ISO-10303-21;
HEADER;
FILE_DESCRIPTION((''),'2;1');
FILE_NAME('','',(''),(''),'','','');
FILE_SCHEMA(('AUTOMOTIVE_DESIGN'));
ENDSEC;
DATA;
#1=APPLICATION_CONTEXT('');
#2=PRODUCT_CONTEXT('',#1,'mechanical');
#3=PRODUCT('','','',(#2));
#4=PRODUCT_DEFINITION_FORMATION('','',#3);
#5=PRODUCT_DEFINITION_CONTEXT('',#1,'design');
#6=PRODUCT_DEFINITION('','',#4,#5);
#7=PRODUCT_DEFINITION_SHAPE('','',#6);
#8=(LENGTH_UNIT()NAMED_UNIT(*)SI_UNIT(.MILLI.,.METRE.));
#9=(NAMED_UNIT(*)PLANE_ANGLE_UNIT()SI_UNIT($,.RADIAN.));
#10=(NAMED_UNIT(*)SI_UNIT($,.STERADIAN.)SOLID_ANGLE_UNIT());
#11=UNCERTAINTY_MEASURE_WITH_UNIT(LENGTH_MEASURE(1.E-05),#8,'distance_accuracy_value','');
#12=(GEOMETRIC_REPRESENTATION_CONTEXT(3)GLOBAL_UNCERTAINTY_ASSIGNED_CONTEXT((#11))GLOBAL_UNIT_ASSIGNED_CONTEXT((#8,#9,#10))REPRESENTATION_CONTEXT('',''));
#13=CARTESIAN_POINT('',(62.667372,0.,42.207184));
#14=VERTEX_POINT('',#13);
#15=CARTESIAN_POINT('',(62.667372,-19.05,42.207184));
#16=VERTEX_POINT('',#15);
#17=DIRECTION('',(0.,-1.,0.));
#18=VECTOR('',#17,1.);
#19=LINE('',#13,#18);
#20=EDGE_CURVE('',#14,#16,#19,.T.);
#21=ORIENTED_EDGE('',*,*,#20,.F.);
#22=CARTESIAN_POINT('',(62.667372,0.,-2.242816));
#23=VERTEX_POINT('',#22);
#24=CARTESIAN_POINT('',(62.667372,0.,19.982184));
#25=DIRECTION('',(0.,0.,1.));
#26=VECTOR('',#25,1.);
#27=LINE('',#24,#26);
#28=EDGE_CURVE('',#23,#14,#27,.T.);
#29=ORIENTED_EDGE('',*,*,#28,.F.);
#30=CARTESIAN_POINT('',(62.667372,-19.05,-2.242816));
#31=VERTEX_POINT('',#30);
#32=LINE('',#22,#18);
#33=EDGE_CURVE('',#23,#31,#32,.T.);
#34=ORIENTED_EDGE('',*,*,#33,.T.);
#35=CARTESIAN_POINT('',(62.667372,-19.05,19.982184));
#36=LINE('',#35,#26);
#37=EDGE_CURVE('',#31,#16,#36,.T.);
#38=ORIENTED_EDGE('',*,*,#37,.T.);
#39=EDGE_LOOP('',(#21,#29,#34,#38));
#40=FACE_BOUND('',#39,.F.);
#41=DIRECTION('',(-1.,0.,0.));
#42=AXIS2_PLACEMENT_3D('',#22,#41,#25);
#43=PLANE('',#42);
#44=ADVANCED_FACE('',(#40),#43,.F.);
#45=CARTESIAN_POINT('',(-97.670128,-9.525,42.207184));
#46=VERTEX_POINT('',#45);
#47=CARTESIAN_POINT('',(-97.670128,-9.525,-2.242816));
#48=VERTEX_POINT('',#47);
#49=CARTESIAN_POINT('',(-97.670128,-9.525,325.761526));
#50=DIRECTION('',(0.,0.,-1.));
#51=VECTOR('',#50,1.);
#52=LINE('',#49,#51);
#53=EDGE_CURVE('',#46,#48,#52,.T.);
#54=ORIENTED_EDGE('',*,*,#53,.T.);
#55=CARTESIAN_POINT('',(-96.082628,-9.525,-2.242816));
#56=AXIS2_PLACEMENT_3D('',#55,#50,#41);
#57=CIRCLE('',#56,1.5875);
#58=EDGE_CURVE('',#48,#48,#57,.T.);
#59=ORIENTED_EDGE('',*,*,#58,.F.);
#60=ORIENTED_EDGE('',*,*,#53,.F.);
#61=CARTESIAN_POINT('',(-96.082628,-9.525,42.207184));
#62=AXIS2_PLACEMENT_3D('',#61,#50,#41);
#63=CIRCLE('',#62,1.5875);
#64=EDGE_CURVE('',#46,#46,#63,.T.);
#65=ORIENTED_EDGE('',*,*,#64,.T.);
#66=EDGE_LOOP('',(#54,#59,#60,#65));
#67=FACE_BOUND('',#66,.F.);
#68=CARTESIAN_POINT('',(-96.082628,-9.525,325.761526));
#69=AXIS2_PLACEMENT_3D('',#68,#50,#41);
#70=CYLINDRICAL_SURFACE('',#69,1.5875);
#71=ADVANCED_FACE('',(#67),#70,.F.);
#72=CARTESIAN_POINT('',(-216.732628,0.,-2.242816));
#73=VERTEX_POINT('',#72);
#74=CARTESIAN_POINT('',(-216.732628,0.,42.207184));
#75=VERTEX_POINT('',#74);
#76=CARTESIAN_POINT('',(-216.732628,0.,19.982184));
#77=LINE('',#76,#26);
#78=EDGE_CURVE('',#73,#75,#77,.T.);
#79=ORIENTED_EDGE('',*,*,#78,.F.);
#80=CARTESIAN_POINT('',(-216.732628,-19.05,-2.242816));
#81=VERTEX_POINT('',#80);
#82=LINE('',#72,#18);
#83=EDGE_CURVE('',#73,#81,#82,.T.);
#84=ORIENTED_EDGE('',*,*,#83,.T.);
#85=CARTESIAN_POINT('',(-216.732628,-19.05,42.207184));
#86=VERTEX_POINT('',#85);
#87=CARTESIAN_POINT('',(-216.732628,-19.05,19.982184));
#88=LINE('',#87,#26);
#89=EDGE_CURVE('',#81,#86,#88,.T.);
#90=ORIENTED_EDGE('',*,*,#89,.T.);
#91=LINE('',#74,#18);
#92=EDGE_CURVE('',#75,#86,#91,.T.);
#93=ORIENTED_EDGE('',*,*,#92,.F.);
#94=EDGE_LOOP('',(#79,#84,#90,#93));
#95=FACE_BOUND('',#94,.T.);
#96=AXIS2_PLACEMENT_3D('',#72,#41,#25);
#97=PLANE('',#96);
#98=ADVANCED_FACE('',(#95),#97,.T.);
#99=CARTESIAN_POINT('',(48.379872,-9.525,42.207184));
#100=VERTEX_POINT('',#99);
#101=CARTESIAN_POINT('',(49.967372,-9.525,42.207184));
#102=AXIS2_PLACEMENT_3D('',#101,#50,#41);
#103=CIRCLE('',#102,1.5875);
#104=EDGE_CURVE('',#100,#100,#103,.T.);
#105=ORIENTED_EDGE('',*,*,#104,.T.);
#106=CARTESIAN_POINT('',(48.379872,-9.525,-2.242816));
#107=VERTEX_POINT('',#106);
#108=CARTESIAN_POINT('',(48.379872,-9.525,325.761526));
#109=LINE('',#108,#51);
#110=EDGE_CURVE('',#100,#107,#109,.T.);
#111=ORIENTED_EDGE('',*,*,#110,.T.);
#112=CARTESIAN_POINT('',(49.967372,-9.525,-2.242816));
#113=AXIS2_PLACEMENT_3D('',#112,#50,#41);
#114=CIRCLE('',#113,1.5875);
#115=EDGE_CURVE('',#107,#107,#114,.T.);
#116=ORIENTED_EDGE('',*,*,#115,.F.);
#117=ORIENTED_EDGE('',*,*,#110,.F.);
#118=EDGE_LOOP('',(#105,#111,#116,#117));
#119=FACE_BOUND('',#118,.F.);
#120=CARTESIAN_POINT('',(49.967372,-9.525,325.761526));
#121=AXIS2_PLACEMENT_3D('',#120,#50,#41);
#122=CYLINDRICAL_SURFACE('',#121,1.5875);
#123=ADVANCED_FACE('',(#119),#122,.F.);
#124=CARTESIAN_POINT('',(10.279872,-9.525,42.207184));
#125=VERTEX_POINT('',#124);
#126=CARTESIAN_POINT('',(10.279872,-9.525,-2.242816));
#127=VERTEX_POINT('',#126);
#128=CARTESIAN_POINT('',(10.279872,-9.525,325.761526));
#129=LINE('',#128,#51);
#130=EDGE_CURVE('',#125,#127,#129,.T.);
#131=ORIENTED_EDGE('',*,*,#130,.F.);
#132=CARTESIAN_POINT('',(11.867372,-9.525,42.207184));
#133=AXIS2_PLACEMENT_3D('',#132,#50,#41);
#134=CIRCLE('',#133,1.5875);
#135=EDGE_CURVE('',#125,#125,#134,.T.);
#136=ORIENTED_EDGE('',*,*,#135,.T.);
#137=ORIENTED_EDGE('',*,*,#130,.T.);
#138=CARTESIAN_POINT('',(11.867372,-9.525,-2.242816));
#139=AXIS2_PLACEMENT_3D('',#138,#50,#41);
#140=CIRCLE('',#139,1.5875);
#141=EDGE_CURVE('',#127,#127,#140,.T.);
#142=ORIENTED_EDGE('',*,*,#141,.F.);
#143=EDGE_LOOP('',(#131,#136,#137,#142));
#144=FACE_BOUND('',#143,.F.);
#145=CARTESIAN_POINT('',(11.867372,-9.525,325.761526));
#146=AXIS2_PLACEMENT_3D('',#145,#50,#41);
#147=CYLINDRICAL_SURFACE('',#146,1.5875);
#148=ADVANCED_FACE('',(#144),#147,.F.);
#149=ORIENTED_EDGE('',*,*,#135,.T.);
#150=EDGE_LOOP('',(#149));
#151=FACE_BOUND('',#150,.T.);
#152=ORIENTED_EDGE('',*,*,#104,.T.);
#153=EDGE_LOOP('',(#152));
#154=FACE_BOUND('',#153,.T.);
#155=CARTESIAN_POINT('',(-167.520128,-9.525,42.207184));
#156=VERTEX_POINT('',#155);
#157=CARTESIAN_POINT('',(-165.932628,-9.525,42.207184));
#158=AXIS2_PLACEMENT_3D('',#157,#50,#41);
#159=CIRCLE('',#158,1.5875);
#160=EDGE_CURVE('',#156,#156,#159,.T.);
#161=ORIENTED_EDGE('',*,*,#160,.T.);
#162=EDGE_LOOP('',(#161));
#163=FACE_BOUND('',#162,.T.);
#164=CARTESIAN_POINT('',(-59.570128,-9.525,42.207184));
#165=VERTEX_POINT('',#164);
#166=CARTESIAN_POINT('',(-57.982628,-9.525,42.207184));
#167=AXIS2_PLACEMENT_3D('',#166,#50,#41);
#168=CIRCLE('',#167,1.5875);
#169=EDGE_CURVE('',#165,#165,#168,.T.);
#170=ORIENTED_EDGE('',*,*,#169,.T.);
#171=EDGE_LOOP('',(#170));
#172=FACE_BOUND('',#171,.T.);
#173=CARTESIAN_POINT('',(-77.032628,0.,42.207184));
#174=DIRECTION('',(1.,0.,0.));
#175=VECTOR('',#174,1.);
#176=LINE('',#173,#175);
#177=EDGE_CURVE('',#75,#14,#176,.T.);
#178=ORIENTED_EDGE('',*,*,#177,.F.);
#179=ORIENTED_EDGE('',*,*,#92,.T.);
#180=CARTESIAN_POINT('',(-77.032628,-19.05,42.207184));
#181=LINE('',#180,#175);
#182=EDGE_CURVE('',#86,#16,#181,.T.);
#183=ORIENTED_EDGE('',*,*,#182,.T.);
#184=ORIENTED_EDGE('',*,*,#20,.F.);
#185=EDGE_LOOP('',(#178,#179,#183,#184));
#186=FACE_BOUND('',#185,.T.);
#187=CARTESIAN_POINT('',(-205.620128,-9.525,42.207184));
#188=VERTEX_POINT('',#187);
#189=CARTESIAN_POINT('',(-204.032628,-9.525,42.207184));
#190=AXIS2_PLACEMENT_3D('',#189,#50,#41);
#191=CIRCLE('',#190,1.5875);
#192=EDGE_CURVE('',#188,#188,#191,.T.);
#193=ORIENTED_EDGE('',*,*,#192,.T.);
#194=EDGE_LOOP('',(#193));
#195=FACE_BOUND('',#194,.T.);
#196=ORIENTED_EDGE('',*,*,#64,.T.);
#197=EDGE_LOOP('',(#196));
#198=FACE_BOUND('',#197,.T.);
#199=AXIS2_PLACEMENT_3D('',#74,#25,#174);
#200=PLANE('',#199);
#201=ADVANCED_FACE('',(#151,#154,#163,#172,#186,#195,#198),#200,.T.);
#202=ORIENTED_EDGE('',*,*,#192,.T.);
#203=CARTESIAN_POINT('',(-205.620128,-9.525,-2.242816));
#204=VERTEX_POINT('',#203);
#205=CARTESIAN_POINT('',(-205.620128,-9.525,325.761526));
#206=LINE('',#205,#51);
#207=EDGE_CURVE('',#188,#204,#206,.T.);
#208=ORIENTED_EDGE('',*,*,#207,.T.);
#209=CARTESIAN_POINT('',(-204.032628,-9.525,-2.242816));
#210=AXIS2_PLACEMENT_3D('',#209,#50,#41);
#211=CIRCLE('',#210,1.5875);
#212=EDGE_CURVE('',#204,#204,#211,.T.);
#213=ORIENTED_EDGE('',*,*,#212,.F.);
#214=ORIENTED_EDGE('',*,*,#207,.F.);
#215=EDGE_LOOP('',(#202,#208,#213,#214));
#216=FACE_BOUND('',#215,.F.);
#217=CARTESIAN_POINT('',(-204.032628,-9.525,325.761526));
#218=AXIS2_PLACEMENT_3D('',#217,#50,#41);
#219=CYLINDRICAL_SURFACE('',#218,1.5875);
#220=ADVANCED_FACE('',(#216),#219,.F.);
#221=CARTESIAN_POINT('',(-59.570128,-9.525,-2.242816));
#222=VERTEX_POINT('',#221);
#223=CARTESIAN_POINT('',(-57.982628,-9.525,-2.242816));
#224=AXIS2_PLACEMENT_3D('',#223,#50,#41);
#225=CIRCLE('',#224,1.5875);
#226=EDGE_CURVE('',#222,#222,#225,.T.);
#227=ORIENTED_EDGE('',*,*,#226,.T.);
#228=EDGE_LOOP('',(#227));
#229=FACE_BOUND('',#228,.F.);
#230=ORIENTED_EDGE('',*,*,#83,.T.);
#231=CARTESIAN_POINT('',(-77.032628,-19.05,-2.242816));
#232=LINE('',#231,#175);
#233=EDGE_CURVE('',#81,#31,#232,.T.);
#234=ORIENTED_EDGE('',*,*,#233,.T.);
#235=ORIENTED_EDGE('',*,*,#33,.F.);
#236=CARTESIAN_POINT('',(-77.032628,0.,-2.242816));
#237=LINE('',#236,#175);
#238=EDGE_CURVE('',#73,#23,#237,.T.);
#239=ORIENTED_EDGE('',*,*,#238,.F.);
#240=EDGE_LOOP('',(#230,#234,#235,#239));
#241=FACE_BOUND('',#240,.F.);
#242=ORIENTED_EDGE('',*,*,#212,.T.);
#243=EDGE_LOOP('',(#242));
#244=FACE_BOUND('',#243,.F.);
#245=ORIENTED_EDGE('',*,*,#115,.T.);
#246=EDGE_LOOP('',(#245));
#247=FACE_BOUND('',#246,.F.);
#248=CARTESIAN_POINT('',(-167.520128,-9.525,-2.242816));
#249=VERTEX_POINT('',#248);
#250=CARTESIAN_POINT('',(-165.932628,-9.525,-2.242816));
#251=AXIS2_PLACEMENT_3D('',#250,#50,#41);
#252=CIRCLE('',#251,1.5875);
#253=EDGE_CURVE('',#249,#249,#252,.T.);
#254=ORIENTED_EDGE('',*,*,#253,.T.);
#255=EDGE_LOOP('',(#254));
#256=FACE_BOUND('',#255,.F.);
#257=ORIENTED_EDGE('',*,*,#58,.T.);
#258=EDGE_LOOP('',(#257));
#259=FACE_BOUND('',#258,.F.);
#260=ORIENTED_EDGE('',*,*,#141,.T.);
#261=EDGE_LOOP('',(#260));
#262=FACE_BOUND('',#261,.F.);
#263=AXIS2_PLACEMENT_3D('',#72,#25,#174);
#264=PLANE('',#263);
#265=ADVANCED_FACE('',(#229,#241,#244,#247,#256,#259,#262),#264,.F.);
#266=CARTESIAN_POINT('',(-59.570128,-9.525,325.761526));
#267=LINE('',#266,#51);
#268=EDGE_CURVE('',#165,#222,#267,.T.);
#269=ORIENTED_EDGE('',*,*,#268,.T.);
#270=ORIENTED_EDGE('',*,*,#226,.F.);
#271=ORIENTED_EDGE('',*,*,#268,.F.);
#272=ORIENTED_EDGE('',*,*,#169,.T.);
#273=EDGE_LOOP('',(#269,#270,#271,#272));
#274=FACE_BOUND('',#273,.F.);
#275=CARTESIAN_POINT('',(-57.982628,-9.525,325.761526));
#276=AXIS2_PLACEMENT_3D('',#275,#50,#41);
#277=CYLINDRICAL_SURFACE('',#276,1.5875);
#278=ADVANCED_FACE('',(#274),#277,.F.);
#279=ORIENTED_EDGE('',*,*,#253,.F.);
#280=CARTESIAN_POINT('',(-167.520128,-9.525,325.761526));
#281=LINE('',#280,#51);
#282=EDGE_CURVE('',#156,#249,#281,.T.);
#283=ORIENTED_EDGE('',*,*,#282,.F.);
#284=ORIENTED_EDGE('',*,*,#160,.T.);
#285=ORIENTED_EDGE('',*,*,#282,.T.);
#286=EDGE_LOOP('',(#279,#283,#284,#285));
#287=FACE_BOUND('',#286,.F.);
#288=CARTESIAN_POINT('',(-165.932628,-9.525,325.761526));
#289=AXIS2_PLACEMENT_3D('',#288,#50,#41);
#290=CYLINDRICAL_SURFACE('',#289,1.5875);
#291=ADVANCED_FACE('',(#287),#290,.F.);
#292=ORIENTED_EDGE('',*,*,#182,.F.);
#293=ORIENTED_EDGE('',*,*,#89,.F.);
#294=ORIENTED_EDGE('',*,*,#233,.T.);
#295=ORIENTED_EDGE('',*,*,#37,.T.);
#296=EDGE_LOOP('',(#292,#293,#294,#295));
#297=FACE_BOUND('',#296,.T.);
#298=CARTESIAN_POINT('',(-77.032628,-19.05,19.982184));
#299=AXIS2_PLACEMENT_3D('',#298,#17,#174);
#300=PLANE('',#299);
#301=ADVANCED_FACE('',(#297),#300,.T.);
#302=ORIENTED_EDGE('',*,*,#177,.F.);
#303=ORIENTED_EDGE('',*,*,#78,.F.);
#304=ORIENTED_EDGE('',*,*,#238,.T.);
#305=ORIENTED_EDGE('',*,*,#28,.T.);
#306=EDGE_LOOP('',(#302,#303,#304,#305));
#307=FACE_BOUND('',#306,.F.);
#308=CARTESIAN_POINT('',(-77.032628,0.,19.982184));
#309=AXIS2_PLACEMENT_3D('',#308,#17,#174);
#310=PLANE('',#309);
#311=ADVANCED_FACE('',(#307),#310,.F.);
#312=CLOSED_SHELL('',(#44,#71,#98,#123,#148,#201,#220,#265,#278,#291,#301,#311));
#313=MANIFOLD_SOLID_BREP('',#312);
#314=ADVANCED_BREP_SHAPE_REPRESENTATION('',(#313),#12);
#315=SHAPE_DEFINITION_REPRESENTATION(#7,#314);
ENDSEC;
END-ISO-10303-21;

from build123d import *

# Parameters (mm, degrees)
F0_W     = 279.4
F0_H     = 44.45
F1_DEPTH = 19.05
F3_D     = 3.175


with BuildPart() as f1:
    # F0 (on Front) → F1 (new body)
    with BuildSketch(Plane.XZ):
        with Locations((-77.032628, 19.982184)):
            Rectangle(F0_W, F0_H)
    extrude(amount=F1_DEPTH)

    # F3 (through all)
    with Locations(Plane.XY.offset(42.207184)):
        with Locations((-204.032628, -9.525), (-165.932628, -9.525), (-96.082628, -9.525), (-57.982628, -9.525), (11.867372, -9.525), (49.967372, -9.525)):
            Hole(F3_D / 2)


solid = f1.part
